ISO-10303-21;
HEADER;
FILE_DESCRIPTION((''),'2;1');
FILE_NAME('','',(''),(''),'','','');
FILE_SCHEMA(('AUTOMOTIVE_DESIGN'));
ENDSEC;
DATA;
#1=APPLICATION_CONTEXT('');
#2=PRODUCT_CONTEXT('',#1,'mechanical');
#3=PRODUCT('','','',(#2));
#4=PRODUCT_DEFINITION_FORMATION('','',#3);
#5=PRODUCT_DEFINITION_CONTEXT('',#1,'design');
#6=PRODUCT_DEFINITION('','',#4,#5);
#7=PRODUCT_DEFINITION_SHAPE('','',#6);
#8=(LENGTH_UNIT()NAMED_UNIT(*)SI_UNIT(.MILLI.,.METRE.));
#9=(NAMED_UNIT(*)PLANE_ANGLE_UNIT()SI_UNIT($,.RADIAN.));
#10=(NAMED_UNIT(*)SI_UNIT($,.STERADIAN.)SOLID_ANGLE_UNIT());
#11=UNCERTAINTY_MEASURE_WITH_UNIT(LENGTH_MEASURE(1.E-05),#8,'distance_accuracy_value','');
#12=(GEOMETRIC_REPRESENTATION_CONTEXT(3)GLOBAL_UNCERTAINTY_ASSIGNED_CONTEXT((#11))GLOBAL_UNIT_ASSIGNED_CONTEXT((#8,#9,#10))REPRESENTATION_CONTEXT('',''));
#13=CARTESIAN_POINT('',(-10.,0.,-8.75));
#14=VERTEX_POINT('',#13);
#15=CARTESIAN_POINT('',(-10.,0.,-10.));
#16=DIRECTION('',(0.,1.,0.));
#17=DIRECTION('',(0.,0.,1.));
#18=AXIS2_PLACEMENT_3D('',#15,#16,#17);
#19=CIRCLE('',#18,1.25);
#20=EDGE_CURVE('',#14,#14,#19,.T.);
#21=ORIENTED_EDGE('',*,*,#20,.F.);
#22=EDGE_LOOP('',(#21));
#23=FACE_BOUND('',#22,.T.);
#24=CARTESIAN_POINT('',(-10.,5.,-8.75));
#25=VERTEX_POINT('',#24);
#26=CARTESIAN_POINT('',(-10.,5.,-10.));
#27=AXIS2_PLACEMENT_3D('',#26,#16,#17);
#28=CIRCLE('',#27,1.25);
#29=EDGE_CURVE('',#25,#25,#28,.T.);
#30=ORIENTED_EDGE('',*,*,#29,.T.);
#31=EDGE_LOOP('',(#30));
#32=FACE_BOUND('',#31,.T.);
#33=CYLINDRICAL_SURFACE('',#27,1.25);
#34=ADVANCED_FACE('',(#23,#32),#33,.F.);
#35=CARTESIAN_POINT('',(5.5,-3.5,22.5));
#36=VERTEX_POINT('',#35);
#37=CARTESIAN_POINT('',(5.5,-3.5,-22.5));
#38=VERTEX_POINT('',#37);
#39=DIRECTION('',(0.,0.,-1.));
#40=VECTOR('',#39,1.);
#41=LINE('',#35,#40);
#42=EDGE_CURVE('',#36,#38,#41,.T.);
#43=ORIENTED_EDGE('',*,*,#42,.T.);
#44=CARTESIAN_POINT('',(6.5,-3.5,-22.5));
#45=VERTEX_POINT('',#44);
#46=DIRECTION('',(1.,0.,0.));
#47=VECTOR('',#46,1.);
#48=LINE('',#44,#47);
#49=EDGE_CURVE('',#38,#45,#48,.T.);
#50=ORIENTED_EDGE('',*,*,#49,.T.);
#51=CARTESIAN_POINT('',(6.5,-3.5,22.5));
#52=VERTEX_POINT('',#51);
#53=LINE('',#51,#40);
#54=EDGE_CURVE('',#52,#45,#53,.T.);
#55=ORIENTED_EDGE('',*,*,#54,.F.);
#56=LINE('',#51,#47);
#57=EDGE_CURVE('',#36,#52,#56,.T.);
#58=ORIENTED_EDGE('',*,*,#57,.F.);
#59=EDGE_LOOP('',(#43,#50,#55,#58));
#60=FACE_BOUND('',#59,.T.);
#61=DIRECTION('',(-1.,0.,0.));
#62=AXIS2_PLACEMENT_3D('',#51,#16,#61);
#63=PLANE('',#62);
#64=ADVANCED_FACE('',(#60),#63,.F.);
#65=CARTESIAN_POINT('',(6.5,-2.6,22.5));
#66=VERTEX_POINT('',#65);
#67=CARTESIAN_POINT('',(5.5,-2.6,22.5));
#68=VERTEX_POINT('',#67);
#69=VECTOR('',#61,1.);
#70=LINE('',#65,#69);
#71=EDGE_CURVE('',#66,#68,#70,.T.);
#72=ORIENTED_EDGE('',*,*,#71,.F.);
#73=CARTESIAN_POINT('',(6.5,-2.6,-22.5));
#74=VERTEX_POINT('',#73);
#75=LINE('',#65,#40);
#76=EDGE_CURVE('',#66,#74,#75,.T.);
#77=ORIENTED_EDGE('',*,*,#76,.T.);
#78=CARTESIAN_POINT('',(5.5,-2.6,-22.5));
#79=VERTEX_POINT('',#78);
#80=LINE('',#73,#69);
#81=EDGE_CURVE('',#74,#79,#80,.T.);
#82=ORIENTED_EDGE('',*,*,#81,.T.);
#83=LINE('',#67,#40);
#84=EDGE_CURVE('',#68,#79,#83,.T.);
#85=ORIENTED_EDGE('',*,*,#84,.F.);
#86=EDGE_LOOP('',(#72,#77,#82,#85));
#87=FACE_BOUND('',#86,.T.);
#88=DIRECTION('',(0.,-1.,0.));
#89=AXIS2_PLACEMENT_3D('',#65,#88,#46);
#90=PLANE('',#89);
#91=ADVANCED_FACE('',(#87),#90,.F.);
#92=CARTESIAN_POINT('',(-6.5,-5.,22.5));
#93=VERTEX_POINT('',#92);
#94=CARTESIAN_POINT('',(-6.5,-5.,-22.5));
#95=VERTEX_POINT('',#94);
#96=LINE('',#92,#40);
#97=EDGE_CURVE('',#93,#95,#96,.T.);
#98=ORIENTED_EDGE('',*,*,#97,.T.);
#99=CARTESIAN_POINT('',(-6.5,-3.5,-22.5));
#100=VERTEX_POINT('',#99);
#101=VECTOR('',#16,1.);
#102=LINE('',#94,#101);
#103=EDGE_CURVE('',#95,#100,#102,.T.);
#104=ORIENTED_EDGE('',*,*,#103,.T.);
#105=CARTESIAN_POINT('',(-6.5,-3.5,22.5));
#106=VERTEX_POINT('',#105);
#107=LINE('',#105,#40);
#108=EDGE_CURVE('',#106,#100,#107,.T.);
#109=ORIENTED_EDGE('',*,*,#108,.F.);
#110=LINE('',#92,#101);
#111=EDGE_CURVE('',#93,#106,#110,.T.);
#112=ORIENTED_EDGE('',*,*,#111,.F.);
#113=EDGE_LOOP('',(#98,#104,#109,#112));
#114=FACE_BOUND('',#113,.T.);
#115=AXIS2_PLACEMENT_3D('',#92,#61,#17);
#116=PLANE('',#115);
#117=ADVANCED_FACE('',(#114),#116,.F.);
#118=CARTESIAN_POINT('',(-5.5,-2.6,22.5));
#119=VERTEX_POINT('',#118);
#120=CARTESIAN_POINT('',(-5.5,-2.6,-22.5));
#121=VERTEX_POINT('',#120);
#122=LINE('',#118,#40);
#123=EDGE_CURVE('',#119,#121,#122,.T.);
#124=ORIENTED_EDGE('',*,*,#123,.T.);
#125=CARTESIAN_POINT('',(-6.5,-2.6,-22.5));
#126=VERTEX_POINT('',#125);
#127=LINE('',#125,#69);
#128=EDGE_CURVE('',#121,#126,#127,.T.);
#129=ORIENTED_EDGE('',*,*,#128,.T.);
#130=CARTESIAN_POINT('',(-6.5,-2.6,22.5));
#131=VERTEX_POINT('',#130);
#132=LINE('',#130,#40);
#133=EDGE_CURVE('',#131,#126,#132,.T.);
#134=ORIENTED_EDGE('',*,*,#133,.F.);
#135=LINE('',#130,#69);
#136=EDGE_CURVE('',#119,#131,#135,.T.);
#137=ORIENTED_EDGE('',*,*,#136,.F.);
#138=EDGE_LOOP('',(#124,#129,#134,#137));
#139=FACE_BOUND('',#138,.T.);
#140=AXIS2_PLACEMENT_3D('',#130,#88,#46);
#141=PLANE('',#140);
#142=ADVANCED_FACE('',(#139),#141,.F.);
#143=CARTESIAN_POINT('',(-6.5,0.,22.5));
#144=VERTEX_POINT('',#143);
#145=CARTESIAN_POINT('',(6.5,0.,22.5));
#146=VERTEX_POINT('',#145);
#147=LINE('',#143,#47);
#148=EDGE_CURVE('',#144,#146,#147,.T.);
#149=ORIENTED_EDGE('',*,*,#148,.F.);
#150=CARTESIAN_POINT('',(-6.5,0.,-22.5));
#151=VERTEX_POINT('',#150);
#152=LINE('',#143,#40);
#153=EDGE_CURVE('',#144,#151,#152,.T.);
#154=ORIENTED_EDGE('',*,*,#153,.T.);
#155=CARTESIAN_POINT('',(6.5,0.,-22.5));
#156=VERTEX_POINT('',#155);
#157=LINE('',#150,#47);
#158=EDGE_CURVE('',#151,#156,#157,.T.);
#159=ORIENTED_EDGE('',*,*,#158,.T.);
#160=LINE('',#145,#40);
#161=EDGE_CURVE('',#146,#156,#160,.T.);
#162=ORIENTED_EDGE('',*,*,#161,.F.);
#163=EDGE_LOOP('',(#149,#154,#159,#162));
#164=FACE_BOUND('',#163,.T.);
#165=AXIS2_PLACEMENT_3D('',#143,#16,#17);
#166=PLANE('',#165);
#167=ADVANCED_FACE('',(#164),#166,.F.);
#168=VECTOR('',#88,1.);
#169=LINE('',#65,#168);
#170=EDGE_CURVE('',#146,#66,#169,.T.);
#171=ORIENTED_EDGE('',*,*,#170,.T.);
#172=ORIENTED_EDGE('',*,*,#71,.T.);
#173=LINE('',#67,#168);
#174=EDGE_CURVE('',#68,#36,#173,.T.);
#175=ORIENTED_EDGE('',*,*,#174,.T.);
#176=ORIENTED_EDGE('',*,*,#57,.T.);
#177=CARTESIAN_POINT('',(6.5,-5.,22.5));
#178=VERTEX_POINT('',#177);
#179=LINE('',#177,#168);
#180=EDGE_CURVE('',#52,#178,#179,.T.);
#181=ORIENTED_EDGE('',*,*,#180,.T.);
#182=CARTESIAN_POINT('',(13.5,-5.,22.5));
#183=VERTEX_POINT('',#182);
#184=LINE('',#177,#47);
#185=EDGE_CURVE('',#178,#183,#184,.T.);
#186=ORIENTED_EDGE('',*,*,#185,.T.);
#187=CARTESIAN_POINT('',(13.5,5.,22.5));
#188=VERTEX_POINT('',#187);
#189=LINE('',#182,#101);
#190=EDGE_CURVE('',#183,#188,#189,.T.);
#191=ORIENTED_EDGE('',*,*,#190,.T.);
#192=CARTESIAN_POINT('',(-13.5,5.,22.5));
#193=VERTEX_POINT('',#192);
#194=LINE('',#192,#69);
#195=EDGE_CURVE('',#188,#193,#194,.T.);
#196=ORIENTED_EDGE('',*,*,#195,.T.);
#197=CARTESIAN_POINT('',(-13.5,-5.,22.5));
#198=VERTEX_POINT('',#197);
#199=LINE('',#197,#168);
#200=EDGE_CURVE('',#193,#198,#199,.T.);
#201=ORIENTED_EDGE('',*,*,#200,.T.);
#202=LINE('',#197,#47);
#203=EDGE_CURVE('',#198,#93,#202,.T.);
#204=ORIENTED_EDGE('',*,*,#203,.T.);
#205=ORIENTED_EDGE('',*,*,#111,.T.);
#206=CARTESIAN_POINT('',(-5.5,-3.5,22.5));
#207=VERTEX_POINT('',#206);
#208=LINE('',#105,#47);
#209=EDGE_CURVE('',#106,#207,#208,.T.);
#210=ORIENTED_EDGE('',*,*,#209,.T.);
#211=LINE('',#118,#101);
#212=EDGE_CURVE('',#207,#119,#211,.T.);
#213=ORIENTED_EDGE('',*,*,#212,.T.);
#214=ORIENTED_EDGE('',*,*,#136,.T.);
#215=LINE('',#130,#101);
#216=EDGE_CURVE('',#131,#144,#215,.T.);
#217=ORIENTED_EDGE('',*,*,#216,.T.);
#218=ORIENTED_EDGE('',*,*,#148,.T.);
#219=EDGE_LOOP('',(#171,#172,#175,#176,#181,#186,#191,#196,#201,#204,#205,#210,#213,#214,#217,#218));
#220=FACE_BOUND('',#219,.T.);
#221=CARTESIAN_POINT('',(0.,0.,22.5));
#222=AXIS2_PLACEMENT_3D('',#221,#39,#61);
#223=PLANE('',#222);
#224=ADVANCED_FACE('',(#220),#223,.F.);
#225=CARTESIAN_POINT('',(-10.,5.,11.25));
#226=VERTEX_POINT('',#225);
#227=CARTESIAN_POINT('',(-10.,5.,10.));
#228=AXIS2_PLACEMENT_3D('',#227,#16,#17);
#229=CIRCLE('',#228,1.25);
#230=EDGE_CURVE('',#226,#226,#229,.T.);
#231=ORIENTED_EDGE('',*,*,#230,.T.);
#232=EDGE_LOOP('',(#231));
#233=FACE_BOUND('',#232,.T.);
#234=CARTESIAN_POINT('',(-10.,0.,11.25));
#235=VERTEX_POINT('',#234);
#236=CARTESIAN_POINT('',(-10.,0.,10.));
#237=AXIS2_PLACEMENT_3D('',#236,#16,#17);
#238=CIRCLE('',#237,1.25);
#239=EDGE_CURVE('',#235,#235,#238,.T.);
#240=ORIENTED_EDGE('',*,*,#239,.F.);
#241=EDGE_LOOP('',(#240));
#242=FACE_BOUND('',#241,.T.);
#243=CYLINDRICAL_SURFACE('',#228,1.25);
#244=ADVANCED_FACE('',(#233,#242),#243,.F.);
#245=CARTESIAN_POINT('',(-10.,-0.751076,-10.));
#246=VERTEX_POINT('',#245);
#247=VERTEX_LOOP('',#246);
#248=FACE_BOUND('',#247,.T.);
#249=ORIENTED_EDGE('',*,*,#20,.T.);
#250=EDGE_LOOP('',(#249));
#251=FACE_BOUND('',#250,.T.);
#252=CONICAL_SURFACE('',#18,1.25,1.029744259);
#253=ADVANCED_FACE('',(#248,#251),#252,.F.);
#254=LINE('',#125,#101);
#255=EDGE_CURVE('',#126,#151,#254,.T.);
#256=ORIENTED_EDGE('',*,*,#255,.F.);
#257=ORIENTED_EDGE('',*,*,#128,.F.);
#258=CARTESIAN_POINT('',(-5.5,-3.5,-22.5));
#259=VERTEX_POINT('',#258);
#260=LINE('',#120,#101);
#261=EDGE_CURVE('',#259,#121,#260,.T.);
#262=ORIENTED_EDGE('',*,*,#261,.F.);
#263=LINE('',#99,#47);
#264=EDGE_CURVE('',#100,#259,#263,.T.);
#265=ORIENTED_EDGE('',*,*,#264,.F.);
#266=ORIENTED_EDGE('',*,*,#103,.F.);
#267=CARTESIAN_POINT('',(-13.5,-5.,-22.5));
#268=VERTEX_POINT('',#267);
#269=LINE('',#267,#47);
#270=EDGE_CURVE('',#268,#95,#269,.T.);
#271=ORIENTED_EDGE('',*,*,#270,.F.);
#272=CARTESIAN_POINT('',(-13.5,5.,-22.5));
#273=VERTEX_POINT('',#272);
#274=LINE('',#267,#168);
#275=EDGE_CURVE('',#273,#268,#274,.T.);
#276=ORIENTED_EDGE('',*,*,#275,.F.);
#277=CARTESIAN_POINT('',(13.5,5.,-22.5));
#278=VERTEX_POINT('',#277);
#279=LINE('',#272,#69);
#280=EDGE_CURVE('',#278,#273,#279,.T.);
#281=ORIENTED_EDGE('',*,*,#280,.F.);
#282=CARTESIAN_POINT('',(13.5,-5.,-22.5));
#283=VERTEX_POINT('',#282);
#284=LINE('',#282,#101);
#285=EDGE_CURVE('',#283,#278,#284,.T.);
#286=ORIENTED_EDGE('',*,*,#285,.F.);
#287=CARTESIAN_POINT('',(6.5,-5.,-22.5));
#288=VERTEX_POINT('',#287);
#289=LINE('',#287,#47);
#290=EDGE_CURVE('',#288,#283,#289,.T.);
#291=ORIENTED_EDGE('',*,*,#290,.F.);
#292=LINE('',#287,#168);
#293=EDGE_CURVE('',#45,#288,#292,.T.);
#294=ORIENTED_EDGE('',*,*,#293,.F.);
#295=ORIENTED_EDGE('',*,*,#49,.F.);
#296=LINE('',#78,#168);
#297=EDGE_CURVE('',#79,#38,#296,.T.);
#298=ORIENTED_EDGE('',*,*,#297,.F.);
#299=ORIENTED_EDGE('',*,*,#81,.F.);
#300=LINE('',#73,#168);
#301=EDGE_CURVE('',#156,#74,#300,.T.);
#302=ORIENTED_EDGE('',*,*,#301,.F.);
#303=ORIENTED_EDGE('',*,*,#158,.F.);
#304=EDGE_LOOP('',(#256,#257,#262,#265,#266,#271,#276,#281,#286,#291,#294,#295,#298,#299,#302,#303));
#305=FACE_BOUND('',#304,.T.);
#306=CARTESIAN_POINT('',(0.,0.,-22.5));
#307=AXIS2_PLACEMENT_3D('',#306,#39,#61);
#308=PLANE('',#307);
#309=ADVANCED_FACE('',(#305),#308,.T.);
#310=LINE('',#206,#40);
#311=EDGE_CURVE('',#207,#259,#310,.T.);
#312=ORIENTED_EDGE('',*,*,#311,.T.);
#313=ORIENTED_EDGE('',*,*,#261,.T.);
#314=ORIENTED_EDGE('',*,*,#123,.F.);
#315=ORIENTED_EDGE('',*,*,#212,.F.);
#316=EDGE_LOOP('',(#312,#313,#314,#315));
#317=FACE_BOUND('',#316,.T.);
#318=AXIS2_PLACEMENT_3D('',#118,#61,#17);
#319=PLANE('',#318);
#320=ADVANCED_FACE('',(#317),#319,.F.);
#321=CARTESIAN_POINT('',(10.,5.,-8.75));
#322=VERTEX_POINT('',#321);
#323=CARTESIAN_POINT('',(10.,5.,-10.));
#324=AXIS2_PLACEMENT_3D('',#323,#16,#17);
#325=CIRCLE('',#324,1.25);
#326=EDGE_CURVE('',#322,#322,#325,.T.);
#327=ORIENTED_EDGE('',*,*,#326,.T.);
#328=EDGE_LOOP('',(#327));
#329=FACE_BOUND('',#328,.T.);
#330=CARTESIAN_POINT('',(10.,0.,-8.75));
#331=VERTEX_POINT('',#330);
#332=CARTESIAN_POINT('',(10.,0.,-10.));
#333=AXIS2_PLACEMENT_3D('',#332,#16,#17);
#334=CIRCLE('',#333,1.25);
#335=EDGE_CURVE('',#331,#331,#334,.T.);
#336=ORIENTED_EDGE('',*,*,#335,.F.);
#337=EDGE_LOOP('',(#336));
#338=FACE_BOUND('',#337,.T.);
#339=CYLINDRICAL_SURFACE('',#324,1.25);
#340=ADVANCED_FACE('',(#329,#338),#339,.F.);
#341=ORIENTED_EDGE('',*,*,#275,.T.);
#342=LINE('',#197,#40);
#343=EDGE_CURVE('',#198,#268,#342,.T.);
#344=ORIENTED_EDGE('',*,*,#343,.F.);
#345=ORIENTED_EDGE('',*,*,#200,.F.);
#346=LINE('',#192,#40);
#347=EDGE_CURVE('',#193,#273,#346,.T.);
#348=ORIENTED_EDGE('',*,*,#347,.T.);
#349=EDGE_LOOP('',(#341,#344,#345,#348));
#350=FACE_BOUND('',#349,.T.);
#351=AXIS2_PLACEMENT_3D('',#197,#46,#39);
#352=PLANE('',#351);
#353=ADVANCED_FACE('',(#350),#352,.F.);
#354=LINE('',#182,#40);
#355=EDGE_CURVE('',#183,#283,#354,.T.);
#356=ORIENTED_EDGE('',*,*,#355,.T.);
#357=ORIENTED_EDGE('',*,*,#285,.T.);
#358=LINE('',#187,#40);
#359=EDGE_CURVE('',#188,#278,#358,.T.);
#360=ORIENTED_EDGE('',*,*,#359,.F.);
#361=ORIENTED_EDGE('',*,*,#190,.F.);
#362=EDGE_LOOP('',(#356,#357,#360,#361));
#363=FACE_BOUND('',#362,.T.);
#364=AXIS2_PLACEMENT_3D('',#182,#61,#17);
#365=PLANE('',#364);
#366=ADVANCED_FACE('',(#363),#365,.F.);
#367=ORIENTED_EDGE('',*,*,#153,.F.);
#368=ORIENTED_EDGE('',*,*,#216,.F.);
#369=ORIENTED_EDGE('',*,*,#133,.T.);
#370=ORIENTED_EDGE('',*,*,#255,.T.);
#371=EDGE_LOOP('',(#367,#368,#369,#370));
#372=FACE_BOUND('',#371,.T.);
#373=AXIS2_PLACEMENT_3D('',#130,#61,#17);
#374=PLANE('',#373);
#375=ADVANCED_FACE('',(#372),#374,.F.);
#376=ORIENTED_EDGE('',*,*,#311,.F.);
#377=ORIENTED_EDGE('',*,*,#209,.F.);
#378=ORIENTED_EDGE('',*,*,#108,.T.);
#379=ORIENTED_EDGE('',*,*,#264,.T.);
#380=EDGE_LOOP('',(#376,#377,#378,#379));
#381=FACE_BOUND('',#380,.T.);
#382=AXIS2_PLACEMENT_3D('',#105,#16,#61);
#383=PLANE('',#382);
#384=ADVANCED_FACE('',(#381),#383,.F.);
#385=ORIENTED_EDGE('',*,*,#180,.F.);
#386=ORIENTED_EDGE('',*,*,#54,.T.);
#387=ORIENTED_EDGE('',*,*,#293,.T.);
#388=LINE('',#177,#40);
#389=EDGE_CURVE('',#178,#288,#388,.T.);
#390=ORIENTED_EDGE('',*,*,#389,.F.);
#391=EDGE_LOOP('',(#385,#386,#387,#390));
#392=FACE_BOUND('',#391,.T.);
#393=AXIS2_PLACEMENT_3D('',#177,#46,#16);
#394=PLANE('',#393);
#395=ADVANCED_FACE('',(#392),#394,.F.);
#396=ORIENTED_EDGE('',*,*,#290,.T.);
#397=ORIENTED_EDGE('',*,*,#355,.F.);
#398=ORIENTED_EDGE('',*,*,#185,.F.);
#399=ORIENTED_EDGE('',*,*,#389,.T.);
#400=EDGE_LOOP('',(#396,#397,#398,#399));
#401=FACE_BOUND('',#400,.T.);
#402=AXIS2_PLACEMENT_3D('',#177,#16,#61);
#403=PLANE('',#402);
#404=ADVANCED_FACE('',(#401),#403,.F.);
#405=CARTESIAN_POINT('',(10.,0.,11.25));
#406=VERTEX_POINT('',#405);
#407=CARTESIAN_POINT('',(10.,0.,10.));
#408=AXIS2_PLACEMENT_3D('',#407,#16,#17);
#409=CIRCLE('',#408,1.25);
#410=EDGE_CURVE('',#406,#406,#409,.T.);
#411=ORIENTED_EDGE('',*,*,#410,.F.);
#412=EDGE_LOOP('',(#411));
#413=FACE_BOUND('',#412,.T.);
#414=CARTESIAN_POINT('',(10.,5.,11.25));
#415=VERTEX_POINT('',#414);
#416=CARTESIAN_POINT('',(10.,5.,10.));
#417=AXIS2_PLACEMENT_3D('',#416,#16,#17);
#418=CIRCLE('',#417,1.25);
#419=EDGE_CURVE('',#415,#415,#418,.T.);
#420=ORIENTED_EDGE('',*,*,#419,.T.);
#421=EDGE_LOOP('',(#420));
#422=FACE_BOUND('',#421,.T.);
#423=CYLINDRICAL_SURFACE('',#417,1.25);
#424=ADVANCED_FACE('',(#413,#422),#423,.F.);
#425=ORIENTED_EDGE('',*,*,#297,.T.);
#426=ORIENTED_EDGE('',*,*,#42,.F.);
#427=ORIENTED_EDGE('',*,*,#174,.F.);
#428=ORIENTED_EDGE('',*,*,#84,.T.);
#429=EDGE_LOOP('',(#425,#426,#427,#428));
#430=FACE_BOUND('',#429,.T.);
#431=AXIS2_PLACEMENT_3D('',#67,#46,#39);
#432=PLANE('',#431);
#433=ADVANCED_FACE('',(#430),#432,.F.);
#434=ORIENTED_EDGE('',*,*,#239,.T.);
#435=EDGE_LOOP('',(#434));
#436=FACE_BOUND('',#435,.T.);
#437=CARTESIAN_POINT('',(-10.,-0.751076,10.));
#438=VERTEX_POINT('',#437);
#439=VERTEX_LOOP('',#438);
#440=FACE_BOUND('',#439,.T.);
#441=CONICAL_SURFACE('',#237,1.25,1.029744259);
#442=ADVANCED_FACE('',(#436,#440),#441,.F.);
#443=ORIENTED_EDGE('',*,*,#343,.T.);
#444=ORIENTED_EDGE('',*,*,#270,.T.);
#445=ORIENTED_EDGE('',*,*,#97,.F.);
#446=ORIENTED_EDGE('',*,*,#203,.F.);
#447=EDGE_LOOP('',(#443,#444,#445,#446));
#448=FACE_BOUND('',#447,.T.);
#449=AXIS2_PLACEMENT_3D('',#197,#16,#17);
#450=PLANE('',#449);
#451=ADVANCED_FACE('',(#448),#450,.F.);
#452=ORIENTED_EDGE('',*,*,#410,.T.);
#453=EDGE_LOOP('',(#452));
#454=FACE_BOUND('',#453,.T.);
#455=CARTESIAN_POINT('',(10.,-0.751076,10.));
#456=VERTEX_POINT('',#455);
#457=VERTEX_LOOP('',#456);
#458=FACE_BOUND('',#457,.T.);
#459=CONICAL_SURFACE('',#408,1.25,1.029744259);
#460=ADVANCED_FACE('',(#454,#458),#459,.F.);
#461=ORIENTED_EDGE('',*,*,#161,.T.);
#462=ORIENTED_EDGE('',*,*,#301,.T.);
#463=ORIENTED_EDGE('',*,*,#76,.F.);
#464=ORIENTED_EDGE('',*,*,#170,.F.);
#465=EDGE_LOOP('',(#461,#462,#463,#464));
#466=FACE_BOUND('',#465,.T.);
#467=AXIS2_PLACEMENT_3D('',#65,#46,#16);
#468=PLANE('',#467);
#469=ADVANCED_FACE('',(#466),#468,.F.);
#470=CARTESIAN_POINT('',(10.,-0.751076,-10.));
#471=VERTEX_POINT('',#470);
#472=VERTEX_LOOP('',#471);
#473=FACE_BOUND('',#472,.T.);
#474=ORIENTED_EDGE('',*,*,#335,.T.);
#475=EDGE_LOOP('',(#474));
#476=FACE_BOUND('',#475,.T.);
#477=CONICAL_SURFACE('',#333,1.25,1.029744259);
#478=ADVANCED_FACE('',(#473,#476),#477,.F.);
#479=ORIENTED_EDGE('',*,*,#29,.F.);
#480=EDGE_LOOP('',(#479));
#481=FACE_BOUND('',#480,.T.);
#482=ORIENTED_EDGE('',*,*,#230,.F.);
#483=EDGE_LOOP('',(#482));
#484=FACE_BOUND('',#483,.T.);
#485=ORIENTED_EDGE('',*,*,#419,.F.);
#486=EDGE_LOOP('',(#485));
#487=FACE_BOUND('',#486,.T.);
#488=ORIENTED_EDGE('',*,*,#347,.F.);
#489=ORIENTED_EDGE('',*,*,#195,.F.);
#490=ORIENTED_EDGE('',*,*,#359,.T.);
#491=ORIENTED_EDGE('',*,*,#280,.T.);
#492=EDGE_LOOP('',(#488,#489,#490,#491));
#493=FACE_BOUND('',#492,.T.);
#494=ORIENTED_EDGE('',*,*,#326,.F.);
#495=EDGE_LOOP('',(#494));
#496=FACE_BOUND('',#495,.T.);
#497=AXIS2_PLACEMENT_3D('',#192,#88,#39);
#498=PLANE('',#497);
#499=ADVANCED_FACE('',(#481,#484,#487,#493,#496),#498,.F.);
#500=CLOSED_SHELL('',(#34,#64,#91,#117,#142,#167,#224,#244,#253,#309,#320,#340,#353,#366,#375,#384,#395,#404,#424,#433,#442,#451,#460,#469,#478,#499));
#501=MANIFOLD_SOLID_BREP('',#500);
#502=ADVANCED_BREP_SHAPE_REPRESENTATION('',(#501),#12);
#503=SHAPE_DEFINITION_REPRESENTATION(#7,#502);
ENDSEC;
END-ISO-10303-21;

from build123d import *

# Parameters (mm, degrees)
BOSS_EXTRU_1_DEPTH                            = 22.5
TROU_POUR_TARAUDAGE_POUR_TROU_TARAUD_M3_D     = 2.5
TROU_POUR_TARAUDAGE_POUR_TROU_TARAUD_M3_DEPTH = 5
TROU_POUR_TARAUDAGE_POUR_TROU_TARAUD_M3_TIP   = 0.751075774


with BuildPart() as part:
    # Esquisse1 → Boss.-Extru.1 (new body, symmetric)
    with BuildSketch(Plane.XY):
        Polygon((6.5, -5), (13.5, -5), (13.5, 5), (-13.5, 5), (-13.5, -5), (-6.5, -5), (-6.5, -3.5), (-5.5, -3.5), (-5.5, -2.6), (-6.5, -2.6), (-6.5, 0), (6.5, 0), (6.5, -2.6), (5.5, -2.6), (5.5, -3.5), (6.5, -3.5), align=None)
    extrude(amount=BOSS_EXTRU_1_DEPTH, both=True)

    # Trou pour taraudage pour trou taraudé M3x0.51
    with Locations(Plane(origin=(0, 5, 0), x_dir=(1, 0, 0), z_dir=(0, 1, 0))):
        with Locations((-10, 10), (-10, -10), (10, -10), (10, 10)):
            Hole(TROU_POUR_TARAUDAGE_POUR_TROU_TARAUD_M3_D / 2, depth=TROU_POUR_TARAUDAGE_POUR_TROU_TARAUD_M3_DEPTH)
            with Locations((0, 0, -(TROU_POUR_TARAUDAGE_POUR_TROU_TARAUD_M3_DEPTH + TROU_POUR_TARAUDAGE_POUR_TROU_TARAUD_M3_TIP / 2))):  # 118° drill point
                Cone(0, TROU_POUR_TARAUDAGE_POUR_TROU_TARAUD_M3_D / 2, TROU_POUR_TARAUDAGE_POUR_TROU_TARAUD_M3_TIP, mode=Mode.SUBTRACT)


solid = part.part
